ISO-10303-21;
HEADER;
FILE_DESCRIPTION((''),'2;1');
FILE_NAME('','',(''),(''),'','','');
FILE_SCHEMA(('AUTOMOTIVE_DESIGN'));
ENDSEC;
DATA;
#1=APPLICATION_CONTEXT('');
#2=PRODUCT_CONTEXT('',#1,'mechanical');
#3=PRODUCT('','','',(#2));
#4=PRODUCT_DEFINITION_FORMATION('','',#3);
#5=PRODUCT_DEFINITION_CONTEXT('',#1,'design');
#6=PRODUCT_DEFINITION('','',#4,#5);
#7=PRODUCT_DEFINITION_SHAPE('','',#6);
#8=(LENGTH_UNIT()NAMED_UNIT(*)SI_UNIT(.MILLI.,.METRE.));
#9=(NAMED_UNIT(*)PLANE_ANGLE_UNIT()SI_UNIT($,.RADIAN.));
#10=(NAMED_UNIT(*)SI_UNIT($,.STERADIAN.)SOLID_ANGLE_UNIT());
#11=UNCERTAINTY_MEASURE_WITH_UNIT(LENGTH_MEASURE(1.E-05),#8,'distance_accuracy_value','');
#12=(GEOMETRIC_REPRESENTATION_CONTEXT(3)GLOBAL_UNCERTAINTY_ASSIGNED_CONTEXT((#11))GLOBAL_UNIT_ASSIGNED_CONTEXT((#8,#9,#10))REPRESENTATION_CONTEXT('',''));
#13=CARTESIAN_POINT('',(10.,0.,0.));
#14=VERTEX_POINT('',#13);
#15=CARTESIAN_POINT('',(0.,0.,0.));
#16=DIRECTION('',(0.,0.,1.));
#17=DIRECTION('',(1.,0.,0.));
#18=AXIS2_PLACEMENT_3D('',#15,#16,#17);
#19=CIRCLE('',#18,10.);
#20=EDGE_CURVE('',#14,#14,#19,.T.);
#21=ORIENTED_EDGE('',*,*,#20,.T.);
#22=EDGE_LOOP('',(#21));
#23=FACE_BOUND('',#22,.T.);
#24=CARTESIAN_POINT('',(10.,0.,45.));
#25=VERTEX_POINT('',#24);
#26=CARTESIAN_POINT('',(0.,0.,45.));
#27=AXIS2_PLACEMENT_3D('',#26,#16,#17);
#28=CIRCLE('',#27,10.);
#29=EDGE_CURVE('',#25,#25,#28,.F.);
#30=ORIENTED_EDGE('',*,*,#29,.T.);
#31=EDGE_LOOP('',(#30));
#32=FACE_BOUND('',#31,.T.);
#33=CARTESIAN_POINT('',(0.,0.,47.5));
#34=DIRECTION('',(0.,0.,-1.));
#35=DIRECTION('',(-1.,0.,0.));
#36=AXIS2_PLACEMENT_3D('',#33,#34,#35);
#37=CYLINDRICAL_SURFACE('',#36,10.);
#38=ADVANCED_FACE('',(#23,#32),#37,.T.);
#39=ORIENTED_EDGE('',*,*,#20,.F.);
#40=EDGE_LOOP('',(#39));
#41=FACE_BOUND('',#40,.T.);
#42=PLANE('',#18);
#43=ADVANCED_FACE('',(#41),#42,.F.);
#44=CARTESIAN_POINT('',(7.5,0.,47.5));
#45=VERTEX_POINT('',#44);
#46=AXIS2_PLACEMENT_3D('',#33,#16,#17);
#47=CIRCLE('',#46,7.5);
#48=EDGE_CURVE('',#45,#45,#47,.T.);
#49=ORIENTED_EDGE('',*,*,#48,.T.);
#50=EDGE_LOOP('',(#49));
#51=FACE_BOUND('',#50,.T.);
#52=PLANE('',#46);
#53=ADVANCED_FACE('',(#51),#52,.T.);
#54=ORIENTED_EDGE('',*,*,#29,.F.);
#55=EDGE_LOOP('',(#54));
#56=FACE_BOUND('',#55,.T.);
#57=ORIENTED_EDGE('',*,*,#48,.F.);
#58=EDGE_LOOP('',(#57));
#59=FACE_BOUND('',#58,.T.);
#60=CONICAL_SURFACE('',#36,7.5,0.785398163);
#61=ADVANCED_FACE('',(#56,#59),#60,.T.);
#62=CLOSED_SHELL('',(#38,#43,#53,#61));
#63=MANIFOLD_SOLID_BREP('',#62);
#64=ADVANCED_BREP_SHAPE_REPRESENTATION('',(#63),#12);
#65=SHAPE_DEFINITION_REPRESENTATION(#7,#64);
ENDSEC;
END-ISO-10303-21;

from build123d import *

# Parameters (mm, degrees)
SKETCH1_R           = 10
BOSS_EXTRUDE1_DEPTH = 47.5
CHAMFER1_SIZE       = 2.5


with BuildPart() as part:
    # Sketch1 → Boss-Extrude1 (new body)
    with BuildSketch(Plane.XY):
        Circle(SKETCH1_R)
    extrude(amount=BOSS_EXTRUDE1_DEPTH)

    # Chamfer1
    chamfer1_edges = [part.edges().sort_by_distance(p)[0] for p in [
        (-10, 0, 47.5),
    ]]
    chamfer(chamfer1_edges, length=CHAMFER1_SIZE)


solid = part.part
